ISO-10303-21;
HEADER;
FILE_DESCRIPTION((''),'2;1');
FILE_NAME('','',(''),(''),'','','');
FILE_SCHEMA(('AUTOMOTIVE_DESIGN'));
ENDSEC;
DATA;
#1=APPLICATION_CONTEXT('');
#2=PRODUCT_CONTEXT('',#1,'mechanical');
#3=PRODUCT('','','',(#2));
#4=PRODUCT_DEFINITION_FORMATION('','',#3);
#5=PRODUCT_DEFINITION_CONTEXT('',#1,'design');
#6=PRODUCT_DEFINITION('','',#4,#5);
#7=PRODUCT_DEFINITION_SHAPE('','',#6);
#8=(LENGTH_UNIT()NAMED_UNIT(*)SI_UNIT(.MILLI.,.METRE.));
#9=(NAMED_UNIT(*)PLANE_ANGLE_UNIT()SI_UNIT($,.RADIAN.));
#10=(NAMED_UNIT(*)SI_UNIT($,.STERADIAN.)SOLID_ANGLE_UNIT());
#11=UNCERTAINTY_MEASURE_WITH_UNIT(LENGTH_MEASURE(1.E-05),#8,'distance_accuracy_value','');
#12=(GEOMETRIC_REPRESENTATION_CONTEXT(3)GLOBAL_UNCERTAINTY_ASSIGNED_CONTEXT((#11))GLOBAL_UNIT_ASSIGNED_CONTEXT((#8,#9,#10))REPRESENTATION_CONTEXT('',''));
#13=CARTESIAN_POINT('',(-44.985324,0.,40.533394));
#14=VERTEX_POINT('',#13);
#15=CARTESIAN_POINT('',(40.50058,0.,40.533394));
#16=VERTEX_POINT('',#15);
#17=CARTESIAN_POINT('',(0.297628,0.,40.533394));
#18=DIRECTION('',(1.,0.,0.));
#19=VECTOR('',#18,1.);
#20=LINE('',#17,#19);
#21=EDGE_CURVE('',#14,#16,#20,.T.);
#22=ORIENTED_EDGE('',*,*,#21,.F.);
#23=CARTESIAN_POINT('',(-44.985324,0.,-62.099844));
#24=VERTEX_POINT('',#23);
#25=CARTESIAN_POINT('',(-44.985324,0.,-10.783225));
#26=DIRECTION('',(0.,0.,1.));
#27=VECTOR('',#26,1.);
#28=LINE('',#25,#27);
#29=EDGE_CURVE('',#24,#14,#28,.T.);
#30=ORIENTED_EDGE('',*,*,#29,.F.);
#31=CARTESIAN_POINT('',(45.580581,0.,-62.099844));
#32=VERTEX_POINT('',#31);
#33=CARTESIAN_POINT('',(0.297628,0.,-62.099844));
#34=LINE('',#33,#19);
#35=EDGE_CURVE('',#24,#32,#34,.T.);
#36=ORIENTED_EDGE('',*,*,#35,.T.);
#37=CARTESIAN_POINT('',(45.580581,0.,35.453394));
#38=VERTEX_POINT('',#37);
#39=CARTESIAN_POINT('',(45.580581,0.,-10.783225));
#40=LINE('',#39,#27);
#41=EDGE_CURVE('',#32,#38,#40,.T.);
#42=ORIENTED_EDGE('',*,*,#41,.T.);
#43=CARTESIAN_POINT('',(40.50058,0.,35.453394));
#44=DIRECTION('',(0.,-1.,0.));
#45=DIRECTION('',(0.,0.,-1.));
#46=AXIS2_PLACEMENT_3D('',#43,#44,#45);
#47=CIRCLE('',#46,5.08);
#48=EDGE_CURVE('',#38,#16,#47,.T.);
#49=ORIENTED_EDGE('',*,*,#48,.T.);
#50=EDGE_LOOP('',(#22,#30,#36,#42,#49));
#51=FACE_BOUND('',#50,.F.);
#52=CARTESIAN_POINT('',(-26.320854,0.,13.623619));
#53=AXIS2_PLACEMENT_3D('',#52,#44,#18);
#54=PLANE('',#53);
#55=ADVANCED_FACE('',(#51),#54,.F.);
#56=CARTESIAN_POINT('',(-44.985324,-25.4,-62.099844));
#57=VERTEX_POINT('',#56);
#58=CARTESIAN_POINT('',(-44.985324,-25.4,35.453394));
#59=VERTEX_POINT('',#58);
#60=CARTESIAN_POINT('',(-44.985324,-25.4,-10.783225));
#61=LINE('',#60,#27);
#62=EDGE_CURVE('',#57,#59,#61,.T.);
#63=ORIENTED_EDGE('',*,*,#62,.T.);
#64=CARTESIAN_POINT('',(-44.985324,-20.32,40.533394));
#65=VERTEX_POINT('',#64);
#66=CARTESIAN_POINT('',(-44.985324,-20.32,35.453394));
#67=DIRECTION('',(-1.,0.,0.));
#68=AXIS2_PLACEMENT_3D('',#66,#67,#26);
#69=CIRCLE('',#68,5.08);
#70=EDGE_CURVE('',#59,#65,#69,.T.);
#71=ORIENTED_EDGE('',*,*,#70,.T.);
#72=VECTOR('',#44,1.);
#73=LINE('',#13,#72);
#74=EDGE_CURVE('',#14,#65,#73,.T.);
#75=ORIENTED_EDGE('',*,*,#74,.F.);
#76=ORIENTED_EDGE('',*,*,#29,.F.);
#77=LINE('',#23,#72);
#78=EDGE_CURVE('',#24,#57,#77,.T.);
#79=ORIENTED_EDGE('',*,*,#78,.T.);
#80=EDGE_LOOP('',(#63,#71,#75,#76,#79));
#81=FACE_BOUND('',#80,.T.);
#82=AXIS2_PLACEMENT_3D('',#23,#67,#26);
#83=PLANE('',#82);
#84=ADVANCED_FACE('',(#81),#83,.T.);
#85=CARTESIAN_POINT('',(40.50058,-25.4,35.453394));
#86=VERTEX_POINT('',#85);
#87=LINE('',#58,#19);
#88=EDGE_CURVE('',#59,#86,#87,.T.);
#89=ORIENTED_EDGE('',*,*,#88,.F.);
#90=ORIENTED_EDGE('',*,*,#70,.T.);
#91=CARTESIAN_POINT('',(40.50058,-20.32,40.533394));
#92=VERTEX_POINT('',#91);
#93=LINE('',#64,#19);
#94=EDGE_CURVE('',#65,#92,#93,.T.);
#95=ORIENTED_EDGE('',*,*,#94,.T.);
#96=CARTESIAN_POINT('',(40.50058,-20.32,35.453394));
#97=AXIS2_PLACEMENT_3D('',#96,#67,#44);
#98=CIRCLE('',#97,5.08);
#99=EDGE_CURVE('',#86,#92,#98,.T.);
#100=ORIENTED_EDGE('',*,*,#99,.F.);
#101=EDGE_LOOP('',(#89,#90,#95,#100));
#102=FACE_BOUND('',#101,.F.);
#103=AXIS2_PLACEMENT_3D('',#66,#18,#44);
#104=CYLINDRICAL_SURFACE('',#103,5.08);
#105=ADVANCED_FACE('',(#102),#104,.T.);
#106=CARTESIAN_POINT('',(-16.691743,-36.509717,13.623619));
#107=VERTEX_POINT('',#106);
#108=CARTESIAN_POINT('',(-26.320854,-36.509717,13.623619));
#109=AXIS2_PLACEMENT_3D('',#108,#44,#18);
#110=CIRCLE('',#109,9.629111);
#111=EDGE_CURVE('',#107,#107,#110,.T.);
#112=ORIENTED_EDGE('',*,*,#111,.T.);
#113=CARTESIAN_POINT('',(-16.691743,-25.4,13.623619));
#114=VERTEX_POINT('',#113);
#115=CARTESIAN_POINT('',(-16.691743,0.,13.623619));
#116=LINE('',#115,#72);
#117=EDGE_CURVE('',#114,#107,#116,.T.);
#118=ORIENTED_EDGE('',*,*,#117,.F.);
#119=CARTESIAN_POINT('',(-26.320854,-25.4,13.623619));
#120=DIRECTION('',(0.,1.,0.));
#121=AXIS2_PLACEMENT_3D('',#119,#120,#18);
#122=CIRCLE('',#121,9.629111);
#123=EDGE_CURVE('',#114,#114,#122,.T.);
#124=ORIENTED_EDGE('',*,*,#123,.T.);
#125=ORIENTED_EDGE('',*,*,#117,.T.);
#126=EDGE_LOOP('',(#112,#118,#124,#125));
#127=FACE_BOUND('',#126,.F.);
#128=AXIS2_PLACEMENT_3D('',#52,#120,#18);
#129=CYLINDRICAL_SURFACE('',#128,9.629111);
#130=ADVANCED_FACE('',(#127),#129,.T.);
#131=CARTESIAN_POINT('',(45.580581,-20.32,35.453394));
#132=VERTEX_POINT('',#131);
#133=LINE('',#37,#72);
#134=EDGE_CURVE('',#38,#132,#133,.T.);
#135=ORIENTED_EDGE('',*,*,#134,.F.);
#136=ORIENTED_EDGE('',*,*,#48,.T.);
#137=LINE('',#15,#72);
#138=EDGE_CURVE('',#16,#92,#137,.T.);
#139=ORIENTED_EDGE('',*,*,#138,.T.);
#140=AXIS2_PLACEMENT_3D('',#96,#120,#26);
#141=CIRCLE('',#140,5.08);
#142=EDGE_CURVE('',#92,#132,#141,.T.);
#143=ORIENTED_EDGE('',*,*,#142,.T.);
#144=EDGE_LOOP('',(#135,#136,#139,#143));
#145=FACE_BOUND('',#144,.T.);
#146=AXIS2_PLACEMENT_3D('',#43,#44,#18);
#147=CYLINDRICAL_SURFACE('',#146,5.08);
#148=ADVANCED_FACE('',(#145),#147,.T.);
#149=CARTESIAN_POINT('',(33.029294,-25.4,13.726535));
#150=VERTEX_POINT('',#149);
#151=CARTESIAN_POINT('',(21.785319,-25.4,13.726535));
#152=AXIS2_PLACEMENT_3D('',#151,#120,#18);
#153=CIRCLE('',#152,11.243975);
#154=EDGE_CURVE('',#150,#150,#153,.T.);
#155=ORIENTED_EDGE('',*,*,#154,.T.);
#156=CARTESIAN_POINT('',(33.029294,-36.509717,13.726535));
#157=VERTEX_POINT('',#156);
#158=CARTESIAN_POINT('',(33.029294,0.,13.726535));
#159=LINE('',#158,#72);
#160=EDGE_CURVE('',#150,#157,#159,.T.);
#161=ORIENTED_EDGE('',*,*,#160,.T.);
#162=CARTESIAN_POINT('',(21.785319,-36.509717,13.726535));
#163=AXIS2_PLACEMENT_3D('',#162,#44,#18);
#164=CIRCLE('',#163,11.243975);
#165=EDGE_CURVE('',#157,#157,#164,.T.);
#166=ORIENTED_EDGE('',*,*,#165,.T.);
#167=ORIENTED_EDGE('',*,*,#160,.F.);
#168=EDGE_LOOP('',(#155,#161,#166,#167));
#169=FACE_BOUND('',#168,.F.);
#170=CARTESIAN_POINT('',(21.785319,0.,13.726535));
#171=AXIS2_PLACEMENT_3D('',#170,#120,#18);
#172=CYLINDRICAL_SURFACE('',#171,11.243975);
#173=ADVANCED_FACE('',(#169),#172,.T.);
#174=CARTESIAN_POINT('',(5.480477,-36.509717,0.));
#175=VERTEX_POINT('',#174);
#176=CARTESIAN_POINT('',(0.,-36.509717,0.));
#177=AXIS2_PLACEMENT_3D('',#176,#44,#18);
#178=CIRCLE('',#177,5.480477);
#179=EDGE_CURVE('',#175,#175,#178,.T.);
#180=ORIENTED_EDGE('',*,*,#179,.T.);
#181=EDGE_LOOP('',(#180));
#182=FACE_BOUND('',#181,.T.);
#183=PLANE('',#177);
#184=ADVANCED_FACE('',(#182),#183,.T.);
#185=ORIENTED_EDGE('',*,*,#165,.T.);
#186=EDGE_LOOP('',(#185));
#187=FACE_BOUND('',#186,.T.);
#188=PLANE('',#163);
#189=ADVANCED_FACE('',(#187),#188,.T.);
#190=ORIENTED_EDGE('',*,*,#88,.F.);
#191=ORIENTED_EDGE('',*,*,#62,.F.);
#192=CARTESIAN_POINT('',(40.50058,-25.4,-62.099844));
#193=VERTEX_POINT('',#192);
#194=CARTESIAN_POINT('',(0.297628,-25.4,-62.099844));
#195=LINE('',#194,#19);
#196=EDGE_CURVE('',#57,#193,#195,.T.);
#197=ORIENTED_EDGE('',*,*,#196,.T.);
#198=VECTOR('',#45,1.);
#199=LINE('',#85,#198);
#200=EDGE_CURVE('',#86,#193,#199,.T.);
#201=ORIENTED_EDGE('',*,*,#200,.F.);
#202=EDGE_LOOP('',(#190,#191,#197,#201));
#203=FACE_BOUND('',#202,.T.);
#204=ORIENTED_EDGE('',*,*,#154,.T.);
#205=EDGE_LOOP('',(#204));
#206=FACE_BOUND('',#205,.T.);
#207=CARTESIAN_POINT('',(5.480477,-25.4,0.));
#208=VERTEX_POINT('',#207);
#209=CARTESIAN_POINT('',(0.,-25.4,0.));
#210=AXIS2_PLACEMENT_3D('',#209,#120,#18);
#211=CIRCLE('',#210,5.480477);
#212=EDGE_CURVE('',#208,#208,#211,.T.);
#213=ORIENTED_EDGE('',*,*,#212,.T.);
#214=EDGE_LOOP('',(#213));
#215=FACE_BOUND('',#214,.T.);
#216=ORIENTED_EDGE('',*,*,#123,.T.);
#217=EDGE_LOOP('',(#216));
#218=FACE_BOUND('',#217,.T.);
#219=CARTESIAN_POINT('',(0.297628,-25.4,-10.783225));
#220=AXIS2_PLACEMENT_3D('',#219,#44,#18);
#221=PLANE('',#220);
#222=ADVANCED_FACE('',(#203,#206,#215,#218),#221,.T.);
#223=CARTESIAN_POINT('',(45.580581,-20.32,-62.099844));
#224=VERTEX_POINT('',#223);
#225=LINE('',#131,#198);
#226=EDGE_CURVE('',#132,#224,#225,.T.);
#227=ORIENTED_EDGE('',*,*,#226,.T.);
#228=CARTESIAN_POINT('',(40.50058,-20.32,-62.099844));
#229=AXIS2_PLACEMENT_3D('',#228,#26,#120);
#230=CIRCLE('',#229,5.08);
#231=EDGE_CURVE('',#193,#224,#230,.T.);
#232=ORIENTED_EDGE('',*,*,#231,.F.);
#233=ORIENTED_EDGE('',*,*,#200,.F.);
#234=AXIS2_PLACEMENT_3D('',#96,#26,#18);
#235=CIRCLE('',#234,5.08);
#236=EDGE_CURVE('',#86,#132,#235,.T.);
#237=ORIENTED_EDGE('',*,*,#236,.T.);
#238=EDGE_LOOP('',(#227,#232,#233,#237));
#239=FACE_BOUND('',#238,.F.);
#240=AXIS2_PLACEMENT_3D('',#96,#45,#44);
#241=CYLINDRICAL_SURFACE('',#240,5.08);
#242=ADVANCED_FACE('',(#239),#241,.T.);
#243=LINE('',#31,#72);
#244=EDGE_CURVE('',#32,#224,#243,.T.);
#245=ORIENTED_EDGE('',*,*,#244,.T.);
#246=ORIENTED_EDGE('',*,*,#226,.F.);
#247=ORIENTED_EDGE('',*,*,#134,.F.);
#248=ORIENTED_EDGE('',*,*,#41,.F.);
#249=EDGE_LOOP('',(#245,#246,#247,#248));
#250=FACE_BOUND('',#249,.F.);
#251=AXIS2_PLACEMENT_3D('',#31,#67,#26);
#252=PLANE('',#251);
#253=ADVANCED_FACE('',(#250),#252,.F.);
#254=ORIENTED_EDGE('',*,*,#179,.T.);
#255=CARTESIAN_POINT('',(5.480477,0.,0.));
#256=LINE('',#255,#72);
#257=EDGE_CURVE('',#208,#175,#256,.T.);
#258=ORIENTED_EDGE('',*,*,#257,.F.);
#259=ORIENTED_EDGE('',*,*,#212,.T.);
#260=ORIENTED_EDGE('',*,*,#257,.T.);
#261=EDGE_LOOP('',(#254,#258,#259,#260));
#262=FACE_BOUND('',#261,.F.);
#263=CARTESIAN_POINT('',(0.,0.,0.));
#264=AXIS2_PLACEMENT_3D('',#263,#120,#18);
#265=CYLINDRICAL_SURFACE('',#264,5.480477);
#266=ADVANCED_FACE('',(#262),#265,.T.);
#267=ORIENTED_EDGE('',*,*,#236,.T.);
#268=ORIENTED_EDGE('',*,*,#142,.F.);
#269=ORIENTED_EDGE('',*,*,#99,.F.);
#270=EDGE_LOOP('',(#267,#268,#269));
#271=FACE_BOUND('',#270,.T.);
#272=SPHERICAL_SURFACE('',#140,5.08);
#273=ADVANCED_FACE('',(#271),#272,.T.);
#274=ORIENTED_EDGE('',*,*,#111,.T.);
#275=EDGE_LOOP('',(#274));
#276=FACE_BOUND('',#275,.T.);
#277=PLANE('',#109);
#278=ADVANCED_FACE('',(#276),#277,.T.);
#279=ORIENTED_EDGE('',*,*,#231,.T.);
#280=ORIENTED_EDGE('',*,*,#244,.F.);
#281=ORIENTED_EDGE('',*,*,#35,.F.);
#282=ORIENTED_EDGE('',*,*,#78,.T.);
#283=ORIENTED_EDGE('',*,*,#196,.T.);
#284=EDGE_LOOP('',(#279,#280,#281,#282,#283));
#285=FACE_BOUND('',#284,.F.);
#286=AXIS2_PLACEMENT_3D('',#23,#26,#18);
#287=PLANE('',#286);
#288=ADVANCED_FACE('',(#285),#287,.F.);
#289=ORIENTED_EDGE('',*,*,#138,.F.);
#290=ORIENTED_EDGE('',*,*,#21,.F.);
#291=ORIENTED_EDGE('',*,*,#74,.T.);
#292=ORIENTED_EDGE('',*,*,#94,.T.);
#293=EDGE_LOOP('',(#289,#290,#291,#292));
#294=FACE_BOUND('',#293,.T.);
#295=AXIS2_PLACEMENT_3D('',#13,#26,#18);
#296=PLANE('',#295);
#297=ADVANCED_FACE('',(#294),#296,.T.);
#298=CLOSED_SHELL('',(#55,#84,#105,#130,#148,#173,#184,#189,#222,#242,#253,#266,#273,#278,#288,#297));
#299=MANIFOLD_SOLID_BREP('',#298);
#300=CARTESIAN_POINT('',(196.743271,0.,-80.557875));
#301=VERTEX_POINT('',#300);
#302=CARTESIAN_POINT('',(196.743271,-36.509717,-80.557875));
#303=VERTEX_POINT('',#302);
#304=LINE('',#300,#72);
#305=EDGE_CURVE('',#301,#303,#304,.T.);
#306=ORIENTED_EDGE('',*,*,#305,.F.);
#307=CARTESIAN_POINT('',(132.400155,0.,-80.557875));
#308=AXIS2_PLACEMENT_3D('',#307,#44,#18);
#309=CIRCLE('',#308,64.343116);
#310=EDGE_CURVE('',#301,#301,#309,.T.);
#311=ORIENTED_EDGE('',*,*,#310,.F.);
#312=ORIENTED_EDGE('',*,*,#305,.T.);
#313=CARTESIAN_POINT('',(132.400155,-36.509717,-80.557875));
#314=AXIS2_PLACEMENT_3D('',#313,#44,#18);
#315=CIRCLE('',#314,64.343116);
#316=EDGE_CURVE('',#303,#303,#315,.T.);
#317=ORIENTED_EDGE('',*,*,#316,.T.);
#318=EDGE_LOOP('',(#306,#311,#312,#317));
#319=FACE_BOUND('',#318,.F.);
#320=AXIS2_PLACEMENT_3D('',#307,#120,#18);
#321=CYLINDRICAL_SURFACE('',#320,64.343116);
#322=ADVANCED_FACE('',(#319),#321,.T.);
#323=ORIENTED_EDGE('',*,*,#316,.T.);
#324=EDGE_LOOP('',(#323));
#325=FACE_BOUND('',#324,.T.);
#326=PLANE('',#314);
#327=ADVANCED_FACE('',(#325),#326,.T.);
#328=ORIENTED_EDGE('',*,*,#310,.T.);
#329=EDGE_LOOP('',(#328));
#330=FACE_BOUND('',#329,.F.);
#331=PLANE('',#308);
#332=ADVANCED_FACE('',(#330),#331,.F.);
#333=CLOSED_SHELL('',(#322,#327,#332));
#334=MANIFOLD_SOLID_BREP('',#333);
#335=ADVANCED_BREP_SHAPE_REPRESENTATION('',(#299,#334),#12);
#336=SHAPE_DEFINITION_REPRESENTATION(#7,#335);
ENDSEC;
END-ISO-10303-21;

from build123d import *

# Parameters (mm, degrees)
F0_W     = 90.565905
F0_H     = 102.633238
F1_DEPTH = 25.4
F2_R     = 5.08
F3_R     = 5.08
F4_R     = 9.629111
F4_R_2   = 11.243975
F4_R_3   = 5.480477
F4_R_4   = 64.343116
F5_DEPTH = 36.509717


with BuildPart() as f1:
    # F0 (on Front) → F1 (new body)
    with BuildSketch(Plane.XZ):
        with Locations((0.297628, -10.783225)):
            Rectangle(F0_W, F0_H)
    extrude(amount=F1_DEPTH)

    # F2
    f2_edges = [f1.edges().sort_by_distance(p)[0] for p in [
        (45.580581, -12.7, 40.533394),
    ]]
    fillet(f2_edges, radius=F2_R)

    # F3
    f3_edges = [f1.edges().sort_by_distance(p)[0] for p in [
        (-2.242372, -25.4, 40.533394),
    ]]
    fillet(f3_edges, radius=F3_R)

    # F4 (on Front) → F5 (join)
    with BuildSketch(Plane.XZ):
        with Locations((-26.320854, 13.623619)):
            Circle(F4_R)
        with Locations((21.785319, 13.726535)):
            Circle(F4_R_2)
        Circle(F4_R_3)
        with Locations((132.400155, -80.557875)):
            Circle(F4_R_4)
    extrude(amount=F5_DEPTH)


solid = f1.part
